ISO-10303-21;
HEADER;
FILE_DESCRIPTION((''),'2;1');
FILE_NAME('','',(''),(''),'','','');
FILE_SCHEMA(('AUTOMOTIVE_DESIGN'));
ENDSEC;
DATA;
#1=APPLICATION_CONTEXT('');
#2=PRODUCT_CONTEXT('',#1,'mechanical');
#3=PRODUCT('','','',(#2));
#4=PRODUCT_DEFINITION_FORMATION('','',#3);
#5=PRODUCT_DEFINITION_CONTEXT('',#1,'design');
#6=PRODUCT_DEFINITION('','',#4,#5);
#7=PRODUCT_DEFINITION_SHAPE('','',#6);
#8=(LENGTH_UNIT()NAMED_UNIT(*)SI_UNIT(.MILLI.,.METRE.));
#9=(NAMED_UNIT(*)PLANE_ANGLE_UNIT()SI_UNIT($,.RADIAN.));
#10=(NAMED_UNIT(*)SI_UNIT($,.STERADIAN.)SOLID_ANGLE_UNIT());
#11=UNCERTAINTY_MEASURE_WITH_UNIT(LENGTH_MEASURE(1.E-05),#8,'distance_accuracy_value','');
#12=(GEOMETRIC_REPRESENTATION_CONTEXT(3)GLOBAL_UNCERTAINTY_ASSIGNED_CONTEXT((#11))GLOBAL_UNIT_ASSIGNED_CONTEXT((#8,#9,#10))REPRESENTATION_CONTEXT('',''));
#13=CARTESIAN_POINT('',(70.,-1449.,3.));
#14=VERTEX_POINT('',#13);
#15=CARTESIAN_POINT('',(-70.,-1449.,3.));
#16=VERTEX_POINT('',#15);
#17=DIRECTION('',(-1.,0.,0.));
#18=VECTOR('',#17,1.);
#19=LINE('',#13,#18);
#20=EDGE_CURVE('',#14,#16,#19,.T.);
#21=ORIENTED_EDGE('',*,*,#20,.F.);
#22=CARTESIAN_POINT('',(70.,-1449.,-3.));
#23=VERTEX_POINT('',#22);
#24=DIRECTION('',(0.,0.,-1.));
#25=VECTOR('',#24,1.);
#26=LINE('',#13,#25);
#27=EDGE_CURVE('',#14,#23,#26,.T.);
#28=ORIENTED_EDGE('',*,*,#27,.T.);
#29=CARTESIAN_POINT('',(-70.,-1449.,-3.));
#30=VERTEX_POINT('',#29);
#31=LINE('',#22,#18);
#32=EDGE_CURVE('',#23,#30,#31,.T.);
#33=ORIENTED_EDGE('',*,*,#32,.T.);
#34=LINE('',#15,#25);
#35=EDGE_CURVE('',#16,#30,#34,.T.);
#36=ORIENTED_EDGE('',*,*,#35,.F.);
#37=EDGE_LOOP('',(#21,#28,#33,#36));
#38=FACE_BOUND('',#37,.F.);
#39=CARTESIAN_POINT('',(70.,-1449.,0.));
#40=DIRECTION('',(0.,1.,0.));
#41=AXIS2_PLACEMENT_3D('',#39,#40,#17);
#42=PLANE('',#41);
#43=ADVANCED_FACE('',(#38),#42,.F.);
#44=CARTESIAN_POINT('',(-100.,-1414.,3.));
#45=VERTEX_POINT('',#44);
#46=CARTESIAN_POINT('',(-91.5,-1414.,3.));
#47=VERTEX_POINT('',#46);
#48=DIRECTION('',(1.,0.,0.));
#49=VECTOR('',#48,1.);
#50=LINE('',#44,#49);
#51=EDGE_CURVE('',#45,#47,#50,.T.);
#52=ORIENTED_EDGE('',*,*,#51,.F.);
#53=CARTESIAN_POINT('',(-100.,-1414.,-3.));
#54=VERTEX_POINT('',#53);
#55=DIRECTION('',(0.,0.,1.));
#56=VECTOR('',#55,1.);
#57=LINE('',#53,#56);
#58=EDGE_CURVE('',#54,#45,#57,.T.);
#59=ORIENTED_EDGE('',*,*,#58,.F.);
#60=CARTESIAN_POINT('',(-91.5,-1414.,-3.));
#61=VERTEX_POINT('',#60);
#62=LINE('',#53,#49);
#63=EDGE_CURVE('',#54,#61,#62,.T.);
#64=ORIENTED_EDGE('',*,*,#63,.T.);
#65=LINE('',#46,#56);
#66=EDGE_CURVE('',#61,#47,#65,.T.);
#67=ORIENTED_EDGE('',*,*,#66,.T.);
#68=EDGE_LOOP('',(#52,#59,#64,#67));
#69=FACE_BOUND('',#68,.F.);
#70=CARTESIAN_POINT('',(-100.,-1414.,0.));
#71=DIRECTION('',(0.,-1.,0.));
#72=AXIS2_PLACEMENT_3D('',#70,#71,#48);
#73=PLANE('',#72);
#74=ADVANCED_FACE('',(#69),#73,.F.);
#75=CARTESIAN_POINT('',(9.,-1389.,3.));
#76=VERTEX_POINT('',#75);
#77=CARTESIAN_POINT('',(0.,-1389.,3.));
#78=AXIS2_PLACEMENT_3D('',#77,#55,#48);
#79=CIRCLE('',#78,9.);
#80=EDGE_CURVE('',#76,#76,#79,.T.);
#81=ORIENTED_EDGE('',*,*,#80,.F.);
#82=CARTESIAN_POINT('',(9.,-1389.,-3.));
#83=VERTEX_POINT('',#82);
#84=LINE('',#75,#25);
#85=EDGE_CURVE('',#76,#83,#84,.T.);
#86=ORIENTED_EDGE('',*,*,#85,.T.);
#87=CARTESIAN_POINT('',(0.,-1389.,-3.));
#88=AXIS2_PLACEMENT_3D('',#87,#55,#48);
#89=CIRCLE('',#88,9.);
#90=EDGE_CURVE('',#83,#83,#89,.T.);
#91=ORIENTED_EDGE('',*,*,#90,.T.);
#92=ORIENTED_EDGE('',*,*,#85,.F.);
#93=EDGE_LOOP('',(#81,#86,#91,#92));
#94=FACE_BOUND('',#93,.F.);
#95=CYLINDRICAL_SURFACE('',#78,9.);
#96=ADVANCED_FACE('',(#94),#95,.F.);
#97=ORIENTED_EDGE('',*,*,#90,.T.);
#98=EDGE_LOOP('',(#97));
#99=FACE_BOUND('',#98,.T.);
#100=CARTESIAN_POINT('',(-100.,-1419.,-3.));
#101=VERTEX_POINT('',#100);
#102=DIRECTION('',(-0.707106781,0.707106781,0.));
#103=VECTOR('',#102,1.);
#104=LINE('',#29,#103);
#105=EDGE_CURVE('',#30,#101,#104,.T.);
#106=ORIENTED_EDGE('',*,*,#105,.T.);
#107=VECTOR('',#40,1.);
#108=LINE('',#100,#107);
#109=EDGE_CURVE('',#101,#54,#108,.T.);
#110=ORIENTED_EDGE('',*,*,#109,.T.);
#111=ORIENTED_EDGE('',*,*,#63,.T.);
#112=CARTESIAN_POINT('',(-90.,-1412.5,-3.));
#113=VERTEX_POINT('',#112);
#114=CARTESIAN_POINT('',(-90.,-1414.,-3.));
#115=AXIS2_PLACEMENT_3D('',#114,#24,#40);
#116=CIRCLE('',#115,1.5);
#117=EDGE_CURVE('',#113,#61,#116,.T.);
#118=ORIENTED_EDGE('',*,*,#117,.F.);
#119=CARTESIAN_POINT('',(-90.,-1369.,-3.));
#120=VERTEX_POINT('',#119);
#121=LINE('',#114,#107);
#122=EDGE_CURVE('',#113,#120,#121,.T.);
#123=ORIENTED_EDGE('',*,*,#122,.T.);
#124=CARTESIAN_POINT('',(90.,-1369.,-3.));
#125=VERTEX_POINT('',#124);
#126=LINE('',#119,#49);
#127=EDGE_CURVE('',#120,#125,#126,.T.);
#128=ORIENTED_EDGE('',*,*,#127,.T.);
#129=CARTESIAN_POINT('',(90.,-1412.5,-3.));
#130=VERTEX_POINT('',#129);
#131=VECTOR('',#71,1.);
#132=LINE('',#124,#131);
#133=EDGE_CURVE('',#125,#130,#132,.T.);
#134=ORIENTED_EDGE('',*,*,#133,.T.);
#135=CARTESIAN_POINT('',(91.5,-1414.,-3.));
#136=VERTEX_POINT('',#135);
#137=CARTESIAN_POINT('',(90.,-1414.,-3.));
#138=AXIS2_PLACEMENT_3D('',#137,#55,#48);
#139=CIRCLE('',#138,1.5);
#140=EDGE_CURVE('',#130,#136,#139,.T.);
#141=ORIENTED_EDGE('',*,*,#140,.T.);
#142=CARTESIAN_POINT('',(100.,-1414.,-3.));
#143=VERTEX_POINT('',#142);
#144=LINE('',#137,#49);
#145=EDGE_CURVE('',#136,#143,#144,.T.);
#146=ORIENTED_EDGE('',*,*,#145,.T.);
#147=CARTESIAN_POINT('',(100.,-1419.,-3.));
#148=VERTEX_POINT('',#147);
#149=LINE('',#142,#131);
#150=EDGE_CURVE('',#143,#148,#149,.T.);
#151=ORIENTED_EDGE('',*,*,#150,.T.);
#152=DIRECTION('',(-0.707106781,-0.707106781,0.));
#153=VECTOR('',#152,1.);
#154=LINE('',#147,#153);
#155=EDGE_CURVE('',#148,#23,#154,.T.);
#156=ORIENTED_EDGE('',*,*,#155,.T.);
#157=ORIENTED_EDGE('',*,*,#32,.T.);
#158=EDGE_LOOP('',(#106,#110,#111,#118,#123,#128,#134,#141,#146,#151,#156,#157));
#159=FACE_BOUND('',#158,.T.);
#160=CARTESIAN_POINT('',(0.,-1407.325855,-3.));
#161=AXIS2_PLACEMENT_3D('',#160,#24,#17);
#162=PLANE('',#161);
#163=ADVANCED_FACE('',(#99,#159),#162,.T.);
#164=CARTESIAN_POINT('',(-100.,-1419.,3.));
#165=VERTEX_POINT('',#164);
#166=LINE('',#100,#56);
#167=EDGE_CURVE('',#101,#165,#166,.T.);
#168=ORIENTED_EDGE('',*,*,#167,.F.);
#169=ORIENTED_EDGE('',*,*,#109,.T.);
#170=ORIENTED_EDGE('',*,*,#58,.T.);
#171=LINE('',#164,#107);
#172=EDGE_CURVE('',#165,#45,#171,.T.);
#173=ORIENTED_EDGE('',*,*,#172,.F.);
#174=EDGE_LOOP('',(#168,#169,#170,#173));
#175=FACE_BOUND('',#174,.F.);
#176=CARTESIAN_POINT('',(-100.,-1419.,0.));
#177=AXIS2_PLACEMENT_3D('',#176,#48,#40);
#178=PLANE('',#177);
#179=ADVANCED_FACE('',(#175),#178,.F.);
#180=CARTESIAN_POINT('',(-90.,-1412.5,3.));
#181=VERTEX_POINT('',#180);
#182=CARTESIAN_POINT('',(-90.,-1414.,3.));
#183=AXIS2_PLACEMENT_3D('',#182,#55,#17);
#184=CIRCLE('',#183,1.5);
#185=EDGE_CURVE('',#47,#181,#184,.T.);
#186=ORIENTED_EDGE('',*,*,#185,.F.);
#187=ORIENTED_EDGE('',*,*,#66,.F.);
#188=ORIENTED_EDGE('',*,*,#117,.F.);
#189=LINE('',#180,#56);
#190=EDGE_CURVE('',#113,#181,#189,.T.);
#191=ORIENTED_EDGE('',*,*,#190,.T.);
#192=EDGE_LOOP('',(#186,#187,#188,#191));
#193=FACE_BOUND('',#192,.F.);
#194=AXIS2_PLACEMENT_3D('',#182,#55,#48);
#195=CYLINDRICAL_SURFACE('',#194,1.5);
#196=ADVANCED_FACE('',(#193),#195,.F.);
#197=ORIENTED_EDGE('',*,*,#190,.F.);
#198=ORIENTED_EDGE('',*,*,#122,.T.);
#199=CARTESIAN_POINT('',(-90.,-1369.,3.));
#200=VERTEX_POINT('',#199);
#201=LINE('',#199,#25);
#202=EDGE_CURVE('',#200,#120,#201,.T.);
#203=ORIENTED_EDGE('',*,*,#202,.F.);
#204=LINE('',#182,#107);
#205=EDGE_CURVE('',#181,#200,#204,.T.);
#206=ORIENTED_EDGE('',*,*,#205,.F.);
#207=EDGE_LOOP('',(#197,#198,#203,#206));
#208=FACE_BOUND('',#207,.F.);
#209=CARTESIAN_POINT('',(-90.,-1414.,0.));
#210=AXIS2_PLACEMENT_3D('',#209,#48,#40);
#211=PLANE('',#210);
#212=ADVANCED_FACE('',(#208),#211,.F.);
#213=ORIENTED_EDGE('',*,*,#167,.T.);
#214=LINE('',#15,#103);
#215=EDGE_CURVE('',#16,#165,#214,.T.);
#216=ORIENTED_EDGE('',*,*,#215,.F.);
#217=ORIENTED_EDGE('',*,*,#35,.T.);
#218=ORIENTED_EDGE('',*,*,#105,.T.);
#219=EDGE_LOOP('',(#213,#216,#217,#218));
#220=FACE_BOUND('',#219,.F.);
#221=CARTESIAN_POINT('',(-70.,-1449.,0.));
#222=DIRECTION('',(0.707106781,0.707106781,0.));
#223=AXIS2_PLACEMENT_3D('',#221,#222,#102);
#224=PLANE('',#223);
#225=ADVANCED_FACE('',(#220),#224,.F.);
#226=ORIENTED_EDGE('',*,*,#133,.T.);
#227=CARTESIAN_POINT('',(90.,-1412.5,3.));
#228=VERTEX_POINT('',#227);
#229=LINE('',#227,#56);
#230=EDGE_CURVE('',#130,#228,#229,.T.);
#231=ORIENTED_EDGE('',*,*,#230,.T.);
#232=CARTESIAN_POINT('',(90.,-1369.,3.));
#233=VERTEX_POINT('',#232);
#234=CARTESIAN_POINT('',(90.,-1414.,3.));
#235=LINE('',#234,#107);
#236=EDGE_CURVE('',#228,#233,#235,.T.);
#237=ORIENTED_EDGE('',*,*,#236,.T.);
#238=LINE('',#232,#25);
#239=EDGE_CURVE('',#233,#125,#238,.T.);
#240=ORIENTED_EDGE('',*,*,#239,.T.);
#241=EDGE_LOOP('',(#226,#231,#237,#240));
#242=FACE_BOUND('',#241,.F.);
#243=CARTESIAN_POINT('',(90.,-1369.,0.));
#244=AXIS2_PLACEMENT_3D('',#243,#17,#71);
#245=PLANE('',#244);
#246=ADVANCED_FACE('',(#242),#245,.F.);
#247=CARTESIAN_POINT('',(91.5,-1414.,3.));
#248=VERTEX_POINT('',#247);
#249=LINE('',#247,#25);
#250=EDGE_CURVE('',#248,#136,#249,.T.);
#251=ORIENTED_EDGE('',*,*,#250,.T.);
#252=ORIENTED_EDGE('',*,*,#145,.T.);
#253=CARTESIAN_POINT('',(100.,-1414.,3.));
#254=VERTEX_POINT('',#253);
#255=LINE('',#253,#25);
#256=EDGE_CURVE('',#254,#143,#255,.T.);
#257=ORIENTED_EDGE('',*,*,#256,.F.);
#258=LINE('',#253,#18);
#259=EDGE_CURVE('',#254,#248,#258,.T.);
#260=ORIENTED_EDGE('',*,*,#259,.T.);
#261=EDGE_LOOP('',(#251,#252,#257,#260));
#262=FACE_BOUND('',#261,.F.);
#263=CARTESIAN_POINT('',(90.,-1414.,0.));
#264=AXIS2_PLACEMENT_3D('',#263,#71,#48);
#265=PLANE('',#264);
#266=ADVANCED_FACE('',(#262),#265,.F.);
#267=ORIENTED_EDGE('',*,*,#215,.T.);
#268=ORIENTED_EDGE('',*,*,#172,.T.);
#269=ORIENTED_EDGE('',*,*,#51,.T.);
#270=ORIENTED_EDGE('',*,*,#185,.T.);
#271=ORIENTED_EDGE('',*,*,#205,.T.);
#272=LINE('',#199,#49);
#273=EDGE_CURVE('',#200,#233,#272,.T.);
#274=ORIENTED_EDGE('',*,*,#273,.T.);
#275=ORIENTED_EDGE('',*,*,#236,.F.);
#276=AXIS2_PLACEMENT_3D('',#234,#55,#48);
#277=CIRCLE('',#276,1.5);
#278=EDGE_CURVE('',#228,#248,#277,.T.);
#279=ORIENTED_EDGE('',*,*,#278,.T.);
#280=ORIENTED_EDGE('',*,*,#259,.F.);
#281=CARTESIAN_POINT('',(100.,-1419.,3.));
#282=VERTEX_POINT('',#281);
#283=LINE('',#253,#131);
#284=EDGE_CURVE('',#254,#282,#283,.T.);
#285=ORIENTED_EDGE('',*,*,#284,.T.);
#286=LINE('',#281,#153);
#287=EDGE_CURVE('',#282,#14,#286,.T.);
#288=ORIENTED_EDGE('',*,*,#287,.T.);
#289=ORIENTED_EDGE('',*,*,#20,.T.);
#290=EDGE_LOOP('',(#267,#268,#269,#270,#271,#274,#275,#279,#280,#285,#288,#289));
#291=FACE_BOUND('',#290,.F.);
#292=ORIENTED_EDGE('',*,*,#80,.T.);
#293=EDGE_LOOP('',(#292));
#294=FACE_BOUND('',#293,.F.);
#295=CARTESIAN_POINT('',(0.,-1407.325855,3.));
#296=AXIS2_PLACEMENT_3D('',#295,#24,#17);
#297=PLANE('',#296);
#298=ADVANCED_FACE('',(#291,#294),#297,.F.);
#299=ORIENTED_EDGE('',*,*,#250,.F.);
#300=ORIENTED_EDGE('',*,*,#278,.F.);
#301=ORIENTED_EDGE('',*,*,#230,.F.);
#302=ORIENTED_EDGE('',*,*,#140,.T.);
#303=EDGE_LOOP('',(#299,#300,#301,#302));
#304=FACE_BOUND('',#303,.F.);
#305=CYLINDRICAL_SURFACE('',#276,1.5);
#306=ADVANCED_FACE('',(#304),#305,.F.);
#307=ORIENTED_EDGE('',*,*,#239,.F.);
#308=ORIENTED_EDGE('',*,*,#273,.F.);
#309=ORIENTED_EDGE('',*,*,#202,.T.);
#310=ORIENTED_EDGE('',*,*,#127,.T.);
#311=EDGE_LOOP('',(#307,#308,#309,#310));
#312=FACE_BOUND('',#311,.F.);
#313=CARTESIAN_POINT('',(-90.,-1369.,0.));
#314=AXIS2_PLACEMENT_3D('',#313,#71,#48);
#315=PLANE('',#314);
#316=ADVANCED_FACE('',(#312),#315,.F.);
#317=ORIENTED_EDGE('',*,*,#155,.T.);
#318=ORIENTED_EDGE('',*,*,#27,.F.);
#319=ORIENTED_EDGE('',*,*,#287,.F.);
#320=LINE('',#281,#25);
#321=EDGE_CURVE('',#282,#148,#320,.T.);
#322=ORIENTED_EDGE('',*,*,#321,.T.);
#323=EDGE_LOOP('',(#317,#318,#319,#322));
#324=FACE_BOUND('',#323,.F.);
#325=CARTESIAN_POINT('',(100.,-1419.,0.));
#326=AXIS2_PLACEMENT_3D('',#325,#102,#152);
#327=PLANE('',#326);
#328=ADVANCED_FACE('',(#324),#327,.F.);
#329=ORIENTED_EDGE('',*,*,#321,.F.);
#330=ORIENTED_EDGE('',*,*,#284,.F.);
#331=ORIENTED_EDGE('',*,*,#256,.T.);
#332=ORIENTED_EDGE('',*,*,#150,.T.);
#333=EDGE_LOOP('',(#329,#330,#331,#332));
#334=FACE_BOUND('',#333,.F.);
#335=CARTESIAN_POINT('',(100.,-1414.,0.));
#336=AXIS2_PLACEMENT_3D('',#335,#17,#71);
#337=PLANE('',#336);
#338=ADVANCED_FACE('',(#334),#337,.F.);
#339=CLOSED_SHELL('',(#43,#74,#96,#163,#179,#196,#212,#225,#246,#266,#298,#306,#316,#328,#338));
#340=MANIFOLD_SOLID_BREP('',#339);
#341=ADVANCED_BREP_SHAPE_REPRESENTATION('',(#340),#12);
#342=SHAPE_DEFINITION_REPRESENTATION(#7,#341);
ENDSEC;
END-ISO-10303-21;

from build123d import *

# Parameters (mm, degrees)
BOSS_EXTRUDE1_DEPTH      = 3
BOSS_EXTRUDE1_DEPTH_BACK = 3
SKETCH2_R                = 9
CUT_EXTRUDE1_DEPTH       = 1
CUT_EXTRUDE1_DEPTH_BACK  = 7
SKETCH3_R                = 1.5
CUT_EXTRUDE2_DEPTH       = 1
CUT_EXTRUDE2_DEPTH_BACK  = 7


with BuildPart() as part:
    # Sketch1 → Boss-Extrude1 (new body, two sides)
    with BuildSketch(Plane.XY) as boss_extrude1_sk:
        Polygon((-90, -1414), (-90, -1369), (90, -1369), (90, -1414), (100, -1414), (100, -1419), (70, -1449), (-70, -1449), (-100, -1419), (-100, -1414), align=None)
    extrude(amount=BOSS_EXTRUDE1_DEPTH)
    extrude(boss_extrude1_sk.sketch, amount=-BOSS_EXTRUDE1_DEPTH_BACK)

    # Sketch2 → Cut-Extrude1 (cut, two sides)
    with BuildSketch(Plane.XY.offset(3)) as cut_extrude1_sk:
        with Locations((0, -1389)):
            Circle(SKETCH2_R)
    extrude(amount=CUT_EXTRUDE1_DEPTH, mode=Mode.SUBTRACT)
    extrude(cut_extrude1_sk.sketch, amount=-CUT_EXTRUDE1_DEPTH_BACK, mode=Mode.SUBTRACT)

    # Sketch3 → Cut-Extrude2 (cut, two sides)
    with BuildSketch(Plane.XY.offset(3)) as cut_extrude2_sk:
        with Locations((-90, -1414)):
            Circle(SKETCH3_R)
        with Locations((90, -1414)):
            Circle(SKETCH3_R)
    extrude(amount=CUT_EXTRUDE2_DEPTH, mode=Mode.SUBTRACT)
    extrude(cut_extrude2_sk.sketch, amount=-CUT_EXTRUDE2_DEPTH_BACK, mode=Mode.SUBTRACT)


solid = part.part
